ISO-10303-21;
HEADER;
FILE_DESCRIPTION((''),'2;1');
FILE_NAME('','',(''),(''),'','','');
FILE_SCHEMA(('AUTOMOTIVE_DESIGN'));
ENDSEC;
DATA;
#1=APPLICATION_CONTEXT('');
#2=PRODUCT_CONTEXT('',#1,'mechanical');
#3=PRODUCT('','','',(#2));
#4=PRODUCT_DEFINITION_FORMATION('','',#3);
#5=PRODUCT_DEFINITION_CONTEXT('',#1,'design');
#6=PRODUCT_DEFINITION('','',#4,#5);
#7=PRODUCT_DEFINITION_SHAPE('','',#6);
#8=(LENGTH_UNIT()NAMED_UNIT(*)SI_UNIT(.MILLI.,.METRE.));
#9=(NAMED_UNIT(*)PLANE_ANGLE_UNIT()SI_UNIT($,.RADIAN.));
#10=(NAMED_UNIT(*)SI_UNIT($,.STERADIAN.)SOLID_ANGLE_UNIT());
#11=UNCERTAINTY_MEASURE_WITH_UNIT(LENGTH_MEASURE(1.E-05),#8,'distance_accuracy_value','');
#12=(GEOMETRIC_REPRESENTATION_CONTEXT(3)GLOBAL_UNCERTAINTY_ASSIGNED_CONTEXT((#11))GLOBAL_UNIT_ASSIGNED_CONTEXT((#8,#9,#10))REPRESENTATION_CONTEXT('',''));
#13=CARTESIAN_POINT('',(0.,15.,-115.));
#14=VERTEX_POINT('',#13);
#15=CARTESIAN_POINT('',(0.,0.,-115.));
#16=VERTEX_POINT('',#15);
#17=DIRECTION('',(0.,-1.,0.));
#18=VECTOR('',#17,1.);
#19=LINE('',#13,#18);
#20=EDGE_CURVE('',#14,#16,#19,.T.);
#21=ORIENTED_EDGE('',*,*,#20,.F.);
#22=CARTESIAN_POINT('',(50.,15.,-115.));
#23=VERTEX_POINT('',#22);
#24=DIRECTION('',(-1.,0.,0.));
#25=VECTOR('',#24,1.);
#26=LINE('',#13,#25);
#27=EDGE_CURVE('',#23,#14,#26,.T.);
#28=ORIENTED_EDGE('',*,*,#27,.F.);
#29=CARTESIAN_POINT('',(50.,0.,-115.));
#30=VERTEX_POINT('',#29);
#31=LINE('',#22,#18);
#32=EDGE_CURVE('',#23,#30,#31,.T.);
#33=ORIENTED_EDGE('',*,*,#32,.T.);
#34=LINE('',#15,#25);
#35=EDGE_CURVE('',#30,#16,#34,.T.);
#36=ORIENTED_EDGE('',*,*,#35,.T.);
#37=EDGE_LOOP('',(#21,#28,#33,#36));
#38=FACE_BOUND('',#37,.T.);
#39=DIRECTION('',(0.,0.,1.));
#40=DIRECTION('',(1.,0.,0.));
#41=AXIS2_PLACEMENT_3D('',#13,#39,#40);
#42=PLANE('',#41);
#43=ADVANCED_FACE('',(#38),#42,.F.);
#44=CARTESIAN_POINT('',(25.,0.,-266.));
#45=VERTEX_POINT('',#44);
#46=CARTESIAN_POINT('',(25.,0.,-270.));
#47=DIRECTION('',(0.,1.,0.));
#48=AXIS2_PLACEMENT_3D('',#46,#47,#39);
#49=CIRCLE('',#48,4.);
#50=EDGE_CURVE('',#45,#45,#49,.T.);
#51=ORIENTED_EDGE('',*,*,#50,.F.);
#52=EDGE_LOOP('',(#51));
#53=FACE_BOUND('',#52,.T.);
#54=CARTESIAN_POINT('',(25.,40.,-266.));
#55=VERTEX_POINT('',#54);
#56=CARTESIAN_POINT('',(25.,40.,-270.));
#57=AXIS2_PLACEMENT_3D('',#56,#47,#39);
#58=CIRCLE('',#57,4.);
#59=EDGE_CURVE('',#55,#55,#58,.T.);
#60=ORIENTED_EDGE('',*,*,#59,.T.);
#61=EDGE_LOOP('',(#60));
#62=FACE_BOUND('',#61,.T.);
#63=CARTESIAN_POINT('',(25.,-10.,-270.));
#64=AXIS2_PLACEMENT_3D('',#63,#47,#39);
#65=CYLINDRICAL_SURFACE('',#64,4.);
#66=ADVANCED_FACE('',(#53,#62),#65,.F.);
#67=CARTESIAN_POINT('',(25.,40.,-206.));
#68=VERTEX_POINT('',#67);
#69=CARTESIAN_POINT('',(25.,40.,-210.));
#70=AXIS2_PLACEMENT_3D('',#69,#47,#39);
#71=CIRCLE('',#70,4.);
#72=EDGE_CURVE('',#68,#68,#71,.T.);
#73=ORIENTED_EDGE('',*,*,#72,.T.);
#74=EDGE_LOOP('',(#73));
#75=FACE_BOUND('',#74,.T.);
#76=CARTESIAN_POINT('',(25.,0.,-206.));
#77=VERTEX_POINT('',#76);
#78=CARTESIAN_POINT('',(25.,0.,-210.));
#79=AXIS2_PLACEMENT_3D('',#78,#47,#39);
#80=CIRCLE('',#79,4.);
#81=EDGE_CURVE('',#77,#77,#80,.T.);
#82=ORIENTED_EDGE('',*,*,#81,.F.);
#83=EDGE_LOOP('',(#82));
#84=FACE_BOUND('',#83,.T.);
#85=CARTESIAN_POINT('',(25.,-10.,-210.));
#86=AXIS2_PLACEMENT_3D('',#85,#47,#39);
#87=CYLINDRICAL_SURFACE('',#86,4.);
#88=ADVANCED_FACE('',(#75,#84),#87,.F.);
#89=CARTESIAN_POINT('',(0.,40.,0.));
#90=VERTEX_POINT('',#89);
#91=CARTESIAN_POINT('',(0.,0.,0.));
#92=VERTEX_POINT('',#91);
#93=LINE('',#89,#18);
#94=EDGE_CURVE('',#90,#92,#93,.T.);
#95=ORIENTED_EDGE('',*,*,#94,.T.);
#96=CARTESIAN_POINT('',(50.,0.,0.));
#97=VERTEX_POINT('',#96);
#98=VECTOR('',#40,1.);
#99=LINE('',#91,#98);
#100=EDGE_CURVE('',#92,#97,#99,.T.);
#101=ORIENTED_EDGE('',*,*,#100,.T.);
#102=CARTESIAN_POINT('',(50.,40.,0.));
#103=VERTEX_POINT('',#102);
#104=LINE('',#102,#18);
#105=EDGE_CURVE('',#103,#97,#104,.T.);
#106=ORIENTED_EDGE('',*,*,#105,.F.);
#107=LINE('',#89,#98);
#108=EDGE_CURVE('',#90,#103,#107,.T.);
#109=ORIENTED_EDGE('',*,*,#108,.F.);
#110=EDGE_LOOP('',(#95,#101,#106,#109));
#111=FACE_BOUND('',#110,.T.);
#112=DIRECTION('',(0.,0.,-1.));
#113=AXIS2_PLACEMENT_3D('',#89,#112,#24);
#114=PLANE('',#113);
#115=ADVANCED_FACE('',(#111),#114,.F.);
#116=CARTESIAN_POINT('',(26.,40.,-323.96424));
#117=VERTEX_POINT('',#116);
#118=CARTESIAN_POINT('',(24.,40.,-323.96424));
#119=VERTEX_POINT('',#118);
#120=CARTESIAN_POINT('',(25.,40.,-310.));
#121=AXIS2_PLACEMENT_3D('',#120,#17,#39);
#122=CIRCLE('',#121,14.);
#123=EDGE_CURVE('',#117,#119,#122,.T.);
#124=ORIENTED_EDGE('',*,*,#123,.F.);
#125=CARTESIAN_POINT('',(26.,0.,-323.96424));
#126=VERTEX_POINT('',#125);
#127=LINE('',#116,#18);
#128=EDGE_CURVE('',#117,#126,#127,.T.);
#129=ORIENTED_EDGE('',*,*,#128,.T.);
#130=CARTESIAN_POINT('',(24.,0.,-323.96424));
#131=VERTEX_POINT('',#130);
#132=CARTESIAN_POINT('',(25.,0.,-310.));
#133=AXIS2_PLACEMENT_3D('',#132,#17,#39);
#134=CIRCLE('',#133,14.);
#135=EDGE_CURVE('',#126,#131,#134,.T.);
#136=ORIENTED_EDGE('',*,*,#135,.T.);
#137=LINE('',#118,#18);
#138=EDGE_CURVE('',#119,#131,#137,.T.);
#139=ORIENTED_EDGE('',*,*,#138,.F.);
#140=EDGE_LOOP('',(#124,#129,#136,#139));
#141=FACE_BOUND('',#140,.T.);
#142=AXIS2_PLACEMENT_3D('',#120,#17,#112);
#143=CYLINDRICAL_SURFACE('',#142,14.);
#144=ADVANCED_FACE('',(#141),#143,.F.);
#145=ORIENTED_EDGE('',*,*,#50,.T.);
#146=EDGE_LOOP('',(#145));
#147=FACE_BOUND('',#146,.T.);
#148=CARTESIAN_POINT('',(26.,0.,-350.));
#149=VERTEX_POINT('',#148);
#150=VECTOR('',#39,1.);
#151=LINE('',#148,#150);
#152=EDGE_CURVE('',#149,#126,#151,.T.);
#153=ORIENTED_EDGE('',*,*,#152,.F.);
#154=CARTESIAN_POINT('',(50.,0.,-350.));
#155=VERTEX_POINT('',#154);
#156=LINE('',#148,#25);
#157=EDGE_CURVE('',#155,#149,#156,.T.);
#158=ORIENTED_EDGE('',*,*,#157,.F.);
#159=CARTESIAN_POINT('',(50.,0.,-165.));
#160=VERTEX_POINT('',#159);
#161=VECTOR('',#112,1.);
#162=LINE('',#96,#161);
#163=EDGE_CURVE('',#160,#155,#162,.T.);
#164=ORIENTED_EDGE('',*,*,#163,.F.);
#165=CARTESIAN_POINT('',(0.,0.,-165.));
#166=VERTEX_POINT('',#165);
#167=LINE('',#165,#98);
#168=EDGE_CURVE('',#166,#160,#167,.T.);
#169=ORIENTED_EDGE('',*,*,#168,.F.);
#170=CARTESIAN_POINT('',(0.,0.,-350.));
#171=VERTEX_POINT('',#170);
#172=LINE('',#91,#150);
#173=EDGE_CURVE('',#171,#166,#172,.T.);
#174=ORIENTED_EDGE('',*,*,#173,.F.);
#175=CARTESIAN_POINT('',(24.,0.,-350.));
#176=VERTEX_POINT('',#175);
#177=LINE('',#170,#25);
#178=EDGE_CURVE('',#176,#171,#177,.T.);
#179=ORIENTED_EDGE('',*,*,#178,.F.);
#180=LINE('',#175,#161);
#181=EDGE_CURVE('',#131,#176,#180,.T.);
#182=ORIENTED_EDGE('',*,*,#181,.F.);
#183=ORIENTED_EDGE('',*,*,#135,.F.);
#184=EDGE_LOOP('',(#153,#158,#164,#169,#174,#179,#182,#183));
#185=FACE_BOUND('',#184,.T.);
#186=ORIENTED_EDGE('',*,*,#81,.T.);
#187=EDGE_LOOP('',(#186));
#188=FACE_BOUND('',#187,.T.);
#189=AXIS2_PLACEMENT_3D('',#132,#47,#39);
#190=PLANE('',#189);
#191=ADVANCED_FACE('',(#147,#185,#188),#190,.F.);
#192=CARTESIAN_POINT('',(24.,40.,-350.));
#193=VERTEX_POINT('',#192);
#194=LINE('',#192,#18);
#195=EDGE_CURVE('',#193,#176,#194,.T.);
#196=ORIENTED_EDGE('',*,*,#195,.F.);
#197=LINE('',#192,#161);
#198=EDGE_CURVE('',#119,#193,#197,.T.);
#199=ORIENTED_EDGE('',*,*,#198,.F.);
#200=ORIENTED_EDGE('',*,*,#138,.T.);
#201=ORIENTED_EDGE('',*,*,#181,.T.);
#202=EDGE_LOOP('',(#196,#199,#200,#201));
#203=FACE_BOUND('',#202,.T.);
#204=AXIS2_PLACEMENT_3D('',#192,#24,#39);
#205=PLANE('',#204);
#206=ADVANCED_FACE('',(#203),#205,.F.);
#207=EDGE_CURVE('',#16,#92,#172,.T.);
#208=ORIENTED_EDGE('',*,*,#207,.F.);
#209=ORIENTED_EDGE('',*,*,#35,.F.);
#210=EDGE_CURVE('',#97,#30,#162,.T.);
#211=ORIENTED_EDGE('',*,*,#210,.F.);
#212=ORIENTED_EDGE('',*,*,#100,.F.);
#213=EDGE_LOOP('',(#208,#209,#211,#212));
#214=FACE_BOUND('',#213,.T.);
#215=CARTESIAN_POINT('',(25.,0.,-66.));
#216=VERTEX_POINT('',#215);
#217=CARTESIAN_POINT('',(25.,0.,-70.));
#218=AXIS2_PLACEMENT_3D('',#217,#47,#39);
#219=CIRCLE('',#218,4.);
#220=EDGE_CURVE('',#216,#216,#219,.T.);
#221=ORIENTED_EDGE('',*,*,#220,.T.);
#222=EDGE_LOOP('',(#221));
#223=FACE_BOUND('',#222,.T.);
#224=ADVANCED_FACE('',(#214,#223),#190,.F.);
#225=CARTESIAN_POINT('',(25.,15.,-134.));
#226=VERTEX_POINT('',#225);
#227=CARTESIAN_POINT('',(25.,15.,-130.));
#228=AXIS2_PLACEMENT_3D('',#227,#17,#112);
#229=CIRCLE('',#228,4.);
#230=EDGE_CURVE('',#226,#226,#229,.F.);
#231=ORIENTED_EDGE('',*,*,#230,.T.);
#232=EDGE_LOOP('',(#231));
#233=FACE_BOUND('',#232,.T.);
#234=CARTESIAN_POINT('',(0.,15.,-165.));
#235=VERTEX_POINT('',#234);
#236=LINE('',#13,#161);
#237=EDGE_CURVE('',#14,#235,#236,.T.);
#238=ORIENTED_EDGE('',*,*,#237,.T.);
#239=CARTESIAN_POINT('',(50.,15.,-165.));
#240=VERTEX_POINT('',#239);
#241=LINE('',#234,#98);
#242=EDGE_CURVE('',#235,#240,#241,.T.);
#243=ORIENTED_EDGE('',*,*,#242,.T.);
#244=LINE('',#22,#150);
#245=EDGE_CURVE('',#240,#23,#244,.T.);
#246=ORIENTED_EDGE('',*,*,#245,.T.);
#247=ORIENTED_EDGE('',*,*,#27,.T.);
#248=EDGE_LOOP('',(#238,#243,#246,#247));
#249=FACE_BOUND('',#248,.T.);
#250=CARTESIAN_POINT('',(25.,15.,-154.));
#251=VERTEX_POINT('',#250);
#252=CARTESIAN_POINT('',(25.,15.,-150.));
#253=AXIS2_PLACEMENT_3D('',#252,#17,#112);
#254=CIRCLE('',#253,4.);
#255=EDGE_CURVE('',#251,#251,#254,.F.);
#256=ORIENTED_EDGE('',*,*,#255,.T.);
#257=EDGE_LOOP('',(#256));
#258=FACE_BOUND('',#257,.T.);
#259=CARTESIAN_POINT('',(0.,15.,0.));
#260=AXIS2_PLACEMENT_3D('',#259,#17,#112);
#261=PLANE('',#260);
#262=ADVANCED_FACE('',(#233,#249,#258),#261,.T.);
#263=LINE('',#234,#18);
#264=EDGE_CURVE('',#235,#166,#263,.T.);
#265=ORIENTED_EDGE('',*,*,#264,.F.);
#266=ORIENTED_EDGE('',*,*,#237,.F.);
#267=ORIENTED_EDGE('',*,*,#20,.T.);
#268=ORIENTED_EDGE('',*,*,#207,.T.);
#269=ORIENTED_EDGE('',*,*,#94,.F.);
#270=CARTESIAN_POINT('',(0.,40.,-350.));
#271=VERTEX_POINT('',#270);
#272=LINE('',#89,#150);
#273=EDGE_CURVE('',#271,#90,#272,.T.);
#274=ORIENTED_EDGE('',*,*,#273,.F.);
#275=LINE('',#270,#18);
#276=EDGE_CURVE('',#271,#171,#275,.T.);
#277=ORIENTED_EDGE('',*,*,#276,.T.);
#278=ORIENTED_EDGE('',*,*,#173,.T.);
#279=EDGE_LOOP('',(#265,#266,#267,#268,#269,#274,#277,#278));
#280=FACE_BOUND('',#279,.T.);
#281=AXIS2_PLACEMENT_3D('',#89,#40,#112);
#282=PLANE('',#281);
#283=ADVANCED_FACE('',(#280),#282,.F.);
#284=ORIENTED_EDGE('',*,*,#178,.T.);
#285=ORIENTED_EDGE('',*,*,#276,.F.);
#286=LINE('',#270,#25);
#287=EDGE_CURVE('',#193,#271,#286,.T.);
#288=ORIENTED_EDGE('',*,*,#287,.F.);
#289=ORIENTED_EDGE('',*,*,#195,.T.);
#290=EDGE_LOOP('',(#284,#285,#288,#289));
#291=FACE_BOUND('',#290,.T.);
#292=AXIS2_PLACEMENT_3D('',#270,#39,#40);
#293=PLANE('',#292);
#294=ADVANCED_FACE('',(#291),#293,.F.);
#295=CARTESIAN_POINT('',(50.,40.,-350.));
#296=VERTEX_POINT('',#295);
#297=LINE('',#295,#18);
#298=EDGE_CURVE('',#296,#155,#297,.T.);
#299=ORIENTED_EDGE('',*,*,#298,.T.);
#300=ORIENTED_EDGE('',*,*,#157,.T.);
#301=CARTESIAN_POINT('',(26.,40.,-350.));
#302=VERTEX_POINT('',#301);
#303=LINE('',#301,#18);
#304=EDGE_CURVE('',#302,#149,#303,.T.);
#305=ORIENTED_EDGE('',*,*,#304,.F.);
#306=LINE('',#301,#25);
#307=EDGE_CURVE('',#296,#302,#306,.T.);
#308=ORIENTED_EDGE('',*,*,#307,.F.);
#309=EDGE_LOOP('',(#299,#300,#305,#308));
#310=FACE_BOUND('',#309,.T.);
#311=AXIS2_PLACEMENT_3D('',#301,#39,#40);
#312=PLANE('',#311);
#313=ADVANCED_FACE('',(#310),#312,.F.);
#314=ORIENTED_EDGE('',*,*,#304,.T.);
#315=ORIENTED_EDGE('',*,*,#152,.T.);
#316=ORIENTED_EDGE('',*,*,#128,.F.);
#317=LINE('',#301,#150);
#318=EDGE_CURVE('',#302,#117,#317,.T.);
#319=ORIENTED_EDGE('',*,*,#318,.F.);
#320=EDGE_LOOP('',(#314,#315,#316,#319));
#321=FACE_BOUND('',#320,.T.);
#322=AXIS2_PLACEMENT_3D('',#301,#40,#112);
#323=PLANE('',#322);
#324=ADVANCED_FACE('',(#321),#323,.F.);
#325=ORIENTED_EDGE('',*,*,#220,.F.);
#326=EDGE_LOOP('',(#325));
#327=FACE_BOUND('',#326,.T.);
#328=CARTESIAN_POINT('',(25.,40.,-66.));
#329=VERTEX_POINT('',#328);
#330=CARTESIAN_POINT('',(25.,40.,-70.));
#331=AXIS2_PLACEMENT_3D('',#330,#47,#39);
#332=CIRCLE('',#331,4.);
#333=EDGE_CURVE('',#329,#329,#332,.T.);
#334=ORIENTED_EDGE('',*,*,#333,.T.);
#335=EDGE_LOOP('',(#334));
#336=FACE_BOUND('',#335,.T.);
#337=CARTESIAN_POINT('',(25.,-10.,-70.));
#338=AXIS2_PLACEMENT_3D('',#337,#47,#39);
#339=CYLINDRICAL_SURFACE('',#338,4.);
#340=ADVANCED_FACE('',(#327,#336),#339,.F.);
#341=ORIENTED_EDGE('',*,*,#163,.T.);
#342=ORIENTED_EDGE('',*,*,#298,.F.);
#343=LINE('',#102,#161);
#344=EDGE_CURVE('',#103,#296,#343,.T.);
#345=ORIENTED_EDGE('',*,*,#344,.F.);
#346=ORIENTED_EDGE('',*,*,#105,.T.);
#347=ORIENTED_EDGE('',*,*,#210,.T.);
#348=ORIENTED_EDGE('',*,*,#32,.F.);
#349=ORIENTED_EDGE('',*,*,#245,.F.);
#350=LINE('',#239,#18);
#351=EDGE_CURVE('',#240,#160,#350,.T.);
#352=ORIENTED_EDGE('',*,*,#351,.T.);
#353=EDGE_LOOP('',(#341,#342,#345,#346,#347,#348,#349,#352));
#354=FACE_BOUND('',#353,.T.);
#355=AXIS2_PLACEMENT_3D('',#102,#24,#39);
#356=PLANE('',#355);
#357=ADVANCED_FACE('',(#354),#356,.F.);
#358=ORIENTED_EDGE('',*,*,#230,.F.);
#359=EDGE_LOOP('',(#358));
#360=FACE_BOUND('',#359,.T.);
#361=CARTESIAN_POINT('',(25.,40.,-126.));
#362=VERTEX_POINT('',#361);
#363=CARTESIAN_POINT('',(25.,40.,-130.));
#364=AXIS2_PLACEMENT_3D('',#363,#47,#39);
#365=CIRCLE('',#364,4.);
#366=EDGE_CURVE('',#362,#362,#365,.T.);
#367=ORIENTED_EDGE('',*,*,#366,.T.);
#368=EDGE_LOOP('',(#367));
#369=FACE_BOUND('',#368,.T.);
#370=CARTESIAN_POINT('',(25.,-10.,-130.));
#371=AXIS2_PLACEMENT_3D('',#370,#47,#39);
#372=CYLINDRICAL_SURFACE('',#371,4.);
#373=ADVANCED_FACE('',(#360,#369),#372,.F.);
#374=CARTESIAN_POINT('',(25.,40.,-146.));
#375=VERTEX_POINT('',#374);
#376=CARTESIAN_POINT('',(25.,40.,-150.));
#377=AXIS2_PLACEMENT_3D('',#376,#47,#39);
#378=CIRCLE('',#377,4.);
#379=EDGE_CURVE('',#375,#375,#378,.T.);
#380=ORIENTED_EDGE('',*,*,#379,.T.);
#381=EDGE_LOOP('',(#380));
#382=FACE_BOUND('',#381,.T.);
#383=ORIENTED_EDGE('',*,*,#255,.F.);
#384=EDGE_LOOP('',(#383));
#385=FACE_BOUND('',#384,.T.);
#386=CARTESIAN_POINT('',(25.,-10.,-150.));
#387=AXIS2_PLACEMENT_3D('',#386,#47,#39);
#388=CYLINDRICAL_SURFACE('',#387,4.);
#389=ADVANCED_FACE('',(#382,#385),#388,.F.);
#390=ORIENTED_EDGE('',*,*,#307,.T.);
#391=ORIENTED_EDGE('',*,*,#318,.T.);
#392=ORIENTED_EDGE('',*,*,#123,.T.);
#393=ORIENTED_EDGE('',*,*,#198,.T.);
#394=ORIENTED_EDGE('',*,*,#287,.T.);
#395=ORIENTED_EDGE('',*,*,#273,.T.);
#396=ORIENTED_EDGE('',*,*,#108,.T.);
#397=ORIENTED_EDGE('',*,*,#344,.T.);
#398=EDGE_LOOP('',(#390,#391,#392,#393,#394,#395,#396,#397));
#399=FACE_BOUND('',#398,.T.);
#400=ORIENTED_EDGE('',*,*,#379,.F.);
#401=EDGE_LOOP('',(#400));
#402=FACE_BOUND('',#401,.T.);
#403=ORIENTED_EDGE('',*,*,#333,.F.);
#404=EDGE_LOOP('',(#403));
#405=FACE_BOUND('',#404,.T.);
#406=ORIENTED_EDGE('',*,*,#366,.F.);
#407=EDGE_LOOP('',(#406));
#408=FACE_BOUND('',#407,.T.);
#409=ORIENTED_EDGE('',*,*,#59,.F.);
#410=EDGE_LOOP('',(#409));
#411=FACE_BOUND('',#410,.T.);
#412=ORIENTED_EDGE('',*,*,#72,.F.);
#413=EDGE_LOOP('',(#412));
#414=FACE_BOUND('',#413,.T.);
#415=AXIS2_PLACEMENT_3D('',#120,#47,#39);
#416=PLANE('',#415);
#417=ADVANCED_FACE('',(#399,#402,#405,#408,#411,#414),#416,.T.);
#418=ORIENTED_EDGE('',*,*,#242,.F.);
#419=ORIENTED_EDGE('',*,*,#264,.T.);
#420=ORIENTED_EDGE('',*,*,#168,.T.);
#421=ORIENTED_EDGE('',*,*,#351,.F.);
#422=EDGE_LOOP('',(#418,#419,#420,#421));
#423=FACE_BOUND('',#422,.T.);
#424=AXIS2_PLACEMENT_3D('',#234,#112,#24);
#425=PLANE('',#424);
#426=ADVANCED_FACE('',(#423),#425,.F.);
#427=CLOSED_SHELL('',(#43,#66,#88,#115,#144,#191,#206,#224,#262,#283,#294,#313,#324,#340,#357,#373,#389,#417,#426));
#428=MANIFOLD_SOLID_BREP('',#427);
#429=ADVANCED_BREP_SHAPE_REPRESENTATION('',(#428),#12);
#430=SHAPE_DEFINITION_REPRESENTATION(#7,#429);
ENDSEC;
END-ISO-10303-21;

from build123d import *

# Parameters (mm, degrees)
EXTRUDE_1_DEPTH     = 40
SKETCH_2_R          = 4
CUT_EXTRUDE_1_DEPTH = 50
SKETCH_3_W          = 50
SKETCH_3_H          = 50
CUT_EXTRUDE_2_DEPTH = 15


with BuildPart() as part:
    # Эскиз1 → Бобышка-Вытянуть1 (new body)
    with BuildSketch(Plane(origin=(0, 0, 0), x_dir=(1, 0, 0), z_dir=(0, 1, 0))):
        with BuildLine():
            Line((0, 0), (50, 0))
            Line((50, 0), (50, 350))
            Line((50, 350), (26, 350))
            Line((26, 350), (26, 323.964240044))
            ThreePointArc((26, 323.964240044), (25, 296), (24, 323.964240044))
            Line((24, 323.964240044), (24, 350))
            Line((24, 350), (0, 350))
            Line((0, 350), (0, 0))
        make_face()
    extrude(amount=EXTRUDE_1_DEPTH)

    # Эскиз2 → Вырез-Вытянуть1 (cut)
    with BuildSketch(Plane(origin=(0, 40, 0), x_dir=(1, 0, 0), z_dir=(0, 1, 0))):
        with Locations(Location((25, 130, 0), (0, 0, 270))):
            Circle(SKETCH_2_R)
        with Locations(Location((25, 150, 0), (0, 0, 270))):
            Circle(SKETCH_2_R)
        with Locations(Location((25, 270, 0), (0, 0, 270))):
            Circle(SKETCH_2_R)
        with Locations(Location((25, 210, 0), (0, 0, 270))):
            Circle(SKETCH_2_R)
        with Locations(Location((25, 70, 0), (0, 0, 270))):
            Circle(SKETCH_2_R)
    extrude(amount=-CUT_EXTRUDE_1_DEPTH, mode=Mode.SUBTRACT)

    # Эскиз3 → Вырез-Вытянуть2 (cut)
    with BuildSketch(Plane.XZ):
        with Locations((25, -140)):
            Rectangle(SKETCH_3_W, SKETCH_3_H)
    extrude(amount=-CUT_EXTRUDE_2_DEPTH, mode=Mode.SUBTRACT)


solid = part.part
